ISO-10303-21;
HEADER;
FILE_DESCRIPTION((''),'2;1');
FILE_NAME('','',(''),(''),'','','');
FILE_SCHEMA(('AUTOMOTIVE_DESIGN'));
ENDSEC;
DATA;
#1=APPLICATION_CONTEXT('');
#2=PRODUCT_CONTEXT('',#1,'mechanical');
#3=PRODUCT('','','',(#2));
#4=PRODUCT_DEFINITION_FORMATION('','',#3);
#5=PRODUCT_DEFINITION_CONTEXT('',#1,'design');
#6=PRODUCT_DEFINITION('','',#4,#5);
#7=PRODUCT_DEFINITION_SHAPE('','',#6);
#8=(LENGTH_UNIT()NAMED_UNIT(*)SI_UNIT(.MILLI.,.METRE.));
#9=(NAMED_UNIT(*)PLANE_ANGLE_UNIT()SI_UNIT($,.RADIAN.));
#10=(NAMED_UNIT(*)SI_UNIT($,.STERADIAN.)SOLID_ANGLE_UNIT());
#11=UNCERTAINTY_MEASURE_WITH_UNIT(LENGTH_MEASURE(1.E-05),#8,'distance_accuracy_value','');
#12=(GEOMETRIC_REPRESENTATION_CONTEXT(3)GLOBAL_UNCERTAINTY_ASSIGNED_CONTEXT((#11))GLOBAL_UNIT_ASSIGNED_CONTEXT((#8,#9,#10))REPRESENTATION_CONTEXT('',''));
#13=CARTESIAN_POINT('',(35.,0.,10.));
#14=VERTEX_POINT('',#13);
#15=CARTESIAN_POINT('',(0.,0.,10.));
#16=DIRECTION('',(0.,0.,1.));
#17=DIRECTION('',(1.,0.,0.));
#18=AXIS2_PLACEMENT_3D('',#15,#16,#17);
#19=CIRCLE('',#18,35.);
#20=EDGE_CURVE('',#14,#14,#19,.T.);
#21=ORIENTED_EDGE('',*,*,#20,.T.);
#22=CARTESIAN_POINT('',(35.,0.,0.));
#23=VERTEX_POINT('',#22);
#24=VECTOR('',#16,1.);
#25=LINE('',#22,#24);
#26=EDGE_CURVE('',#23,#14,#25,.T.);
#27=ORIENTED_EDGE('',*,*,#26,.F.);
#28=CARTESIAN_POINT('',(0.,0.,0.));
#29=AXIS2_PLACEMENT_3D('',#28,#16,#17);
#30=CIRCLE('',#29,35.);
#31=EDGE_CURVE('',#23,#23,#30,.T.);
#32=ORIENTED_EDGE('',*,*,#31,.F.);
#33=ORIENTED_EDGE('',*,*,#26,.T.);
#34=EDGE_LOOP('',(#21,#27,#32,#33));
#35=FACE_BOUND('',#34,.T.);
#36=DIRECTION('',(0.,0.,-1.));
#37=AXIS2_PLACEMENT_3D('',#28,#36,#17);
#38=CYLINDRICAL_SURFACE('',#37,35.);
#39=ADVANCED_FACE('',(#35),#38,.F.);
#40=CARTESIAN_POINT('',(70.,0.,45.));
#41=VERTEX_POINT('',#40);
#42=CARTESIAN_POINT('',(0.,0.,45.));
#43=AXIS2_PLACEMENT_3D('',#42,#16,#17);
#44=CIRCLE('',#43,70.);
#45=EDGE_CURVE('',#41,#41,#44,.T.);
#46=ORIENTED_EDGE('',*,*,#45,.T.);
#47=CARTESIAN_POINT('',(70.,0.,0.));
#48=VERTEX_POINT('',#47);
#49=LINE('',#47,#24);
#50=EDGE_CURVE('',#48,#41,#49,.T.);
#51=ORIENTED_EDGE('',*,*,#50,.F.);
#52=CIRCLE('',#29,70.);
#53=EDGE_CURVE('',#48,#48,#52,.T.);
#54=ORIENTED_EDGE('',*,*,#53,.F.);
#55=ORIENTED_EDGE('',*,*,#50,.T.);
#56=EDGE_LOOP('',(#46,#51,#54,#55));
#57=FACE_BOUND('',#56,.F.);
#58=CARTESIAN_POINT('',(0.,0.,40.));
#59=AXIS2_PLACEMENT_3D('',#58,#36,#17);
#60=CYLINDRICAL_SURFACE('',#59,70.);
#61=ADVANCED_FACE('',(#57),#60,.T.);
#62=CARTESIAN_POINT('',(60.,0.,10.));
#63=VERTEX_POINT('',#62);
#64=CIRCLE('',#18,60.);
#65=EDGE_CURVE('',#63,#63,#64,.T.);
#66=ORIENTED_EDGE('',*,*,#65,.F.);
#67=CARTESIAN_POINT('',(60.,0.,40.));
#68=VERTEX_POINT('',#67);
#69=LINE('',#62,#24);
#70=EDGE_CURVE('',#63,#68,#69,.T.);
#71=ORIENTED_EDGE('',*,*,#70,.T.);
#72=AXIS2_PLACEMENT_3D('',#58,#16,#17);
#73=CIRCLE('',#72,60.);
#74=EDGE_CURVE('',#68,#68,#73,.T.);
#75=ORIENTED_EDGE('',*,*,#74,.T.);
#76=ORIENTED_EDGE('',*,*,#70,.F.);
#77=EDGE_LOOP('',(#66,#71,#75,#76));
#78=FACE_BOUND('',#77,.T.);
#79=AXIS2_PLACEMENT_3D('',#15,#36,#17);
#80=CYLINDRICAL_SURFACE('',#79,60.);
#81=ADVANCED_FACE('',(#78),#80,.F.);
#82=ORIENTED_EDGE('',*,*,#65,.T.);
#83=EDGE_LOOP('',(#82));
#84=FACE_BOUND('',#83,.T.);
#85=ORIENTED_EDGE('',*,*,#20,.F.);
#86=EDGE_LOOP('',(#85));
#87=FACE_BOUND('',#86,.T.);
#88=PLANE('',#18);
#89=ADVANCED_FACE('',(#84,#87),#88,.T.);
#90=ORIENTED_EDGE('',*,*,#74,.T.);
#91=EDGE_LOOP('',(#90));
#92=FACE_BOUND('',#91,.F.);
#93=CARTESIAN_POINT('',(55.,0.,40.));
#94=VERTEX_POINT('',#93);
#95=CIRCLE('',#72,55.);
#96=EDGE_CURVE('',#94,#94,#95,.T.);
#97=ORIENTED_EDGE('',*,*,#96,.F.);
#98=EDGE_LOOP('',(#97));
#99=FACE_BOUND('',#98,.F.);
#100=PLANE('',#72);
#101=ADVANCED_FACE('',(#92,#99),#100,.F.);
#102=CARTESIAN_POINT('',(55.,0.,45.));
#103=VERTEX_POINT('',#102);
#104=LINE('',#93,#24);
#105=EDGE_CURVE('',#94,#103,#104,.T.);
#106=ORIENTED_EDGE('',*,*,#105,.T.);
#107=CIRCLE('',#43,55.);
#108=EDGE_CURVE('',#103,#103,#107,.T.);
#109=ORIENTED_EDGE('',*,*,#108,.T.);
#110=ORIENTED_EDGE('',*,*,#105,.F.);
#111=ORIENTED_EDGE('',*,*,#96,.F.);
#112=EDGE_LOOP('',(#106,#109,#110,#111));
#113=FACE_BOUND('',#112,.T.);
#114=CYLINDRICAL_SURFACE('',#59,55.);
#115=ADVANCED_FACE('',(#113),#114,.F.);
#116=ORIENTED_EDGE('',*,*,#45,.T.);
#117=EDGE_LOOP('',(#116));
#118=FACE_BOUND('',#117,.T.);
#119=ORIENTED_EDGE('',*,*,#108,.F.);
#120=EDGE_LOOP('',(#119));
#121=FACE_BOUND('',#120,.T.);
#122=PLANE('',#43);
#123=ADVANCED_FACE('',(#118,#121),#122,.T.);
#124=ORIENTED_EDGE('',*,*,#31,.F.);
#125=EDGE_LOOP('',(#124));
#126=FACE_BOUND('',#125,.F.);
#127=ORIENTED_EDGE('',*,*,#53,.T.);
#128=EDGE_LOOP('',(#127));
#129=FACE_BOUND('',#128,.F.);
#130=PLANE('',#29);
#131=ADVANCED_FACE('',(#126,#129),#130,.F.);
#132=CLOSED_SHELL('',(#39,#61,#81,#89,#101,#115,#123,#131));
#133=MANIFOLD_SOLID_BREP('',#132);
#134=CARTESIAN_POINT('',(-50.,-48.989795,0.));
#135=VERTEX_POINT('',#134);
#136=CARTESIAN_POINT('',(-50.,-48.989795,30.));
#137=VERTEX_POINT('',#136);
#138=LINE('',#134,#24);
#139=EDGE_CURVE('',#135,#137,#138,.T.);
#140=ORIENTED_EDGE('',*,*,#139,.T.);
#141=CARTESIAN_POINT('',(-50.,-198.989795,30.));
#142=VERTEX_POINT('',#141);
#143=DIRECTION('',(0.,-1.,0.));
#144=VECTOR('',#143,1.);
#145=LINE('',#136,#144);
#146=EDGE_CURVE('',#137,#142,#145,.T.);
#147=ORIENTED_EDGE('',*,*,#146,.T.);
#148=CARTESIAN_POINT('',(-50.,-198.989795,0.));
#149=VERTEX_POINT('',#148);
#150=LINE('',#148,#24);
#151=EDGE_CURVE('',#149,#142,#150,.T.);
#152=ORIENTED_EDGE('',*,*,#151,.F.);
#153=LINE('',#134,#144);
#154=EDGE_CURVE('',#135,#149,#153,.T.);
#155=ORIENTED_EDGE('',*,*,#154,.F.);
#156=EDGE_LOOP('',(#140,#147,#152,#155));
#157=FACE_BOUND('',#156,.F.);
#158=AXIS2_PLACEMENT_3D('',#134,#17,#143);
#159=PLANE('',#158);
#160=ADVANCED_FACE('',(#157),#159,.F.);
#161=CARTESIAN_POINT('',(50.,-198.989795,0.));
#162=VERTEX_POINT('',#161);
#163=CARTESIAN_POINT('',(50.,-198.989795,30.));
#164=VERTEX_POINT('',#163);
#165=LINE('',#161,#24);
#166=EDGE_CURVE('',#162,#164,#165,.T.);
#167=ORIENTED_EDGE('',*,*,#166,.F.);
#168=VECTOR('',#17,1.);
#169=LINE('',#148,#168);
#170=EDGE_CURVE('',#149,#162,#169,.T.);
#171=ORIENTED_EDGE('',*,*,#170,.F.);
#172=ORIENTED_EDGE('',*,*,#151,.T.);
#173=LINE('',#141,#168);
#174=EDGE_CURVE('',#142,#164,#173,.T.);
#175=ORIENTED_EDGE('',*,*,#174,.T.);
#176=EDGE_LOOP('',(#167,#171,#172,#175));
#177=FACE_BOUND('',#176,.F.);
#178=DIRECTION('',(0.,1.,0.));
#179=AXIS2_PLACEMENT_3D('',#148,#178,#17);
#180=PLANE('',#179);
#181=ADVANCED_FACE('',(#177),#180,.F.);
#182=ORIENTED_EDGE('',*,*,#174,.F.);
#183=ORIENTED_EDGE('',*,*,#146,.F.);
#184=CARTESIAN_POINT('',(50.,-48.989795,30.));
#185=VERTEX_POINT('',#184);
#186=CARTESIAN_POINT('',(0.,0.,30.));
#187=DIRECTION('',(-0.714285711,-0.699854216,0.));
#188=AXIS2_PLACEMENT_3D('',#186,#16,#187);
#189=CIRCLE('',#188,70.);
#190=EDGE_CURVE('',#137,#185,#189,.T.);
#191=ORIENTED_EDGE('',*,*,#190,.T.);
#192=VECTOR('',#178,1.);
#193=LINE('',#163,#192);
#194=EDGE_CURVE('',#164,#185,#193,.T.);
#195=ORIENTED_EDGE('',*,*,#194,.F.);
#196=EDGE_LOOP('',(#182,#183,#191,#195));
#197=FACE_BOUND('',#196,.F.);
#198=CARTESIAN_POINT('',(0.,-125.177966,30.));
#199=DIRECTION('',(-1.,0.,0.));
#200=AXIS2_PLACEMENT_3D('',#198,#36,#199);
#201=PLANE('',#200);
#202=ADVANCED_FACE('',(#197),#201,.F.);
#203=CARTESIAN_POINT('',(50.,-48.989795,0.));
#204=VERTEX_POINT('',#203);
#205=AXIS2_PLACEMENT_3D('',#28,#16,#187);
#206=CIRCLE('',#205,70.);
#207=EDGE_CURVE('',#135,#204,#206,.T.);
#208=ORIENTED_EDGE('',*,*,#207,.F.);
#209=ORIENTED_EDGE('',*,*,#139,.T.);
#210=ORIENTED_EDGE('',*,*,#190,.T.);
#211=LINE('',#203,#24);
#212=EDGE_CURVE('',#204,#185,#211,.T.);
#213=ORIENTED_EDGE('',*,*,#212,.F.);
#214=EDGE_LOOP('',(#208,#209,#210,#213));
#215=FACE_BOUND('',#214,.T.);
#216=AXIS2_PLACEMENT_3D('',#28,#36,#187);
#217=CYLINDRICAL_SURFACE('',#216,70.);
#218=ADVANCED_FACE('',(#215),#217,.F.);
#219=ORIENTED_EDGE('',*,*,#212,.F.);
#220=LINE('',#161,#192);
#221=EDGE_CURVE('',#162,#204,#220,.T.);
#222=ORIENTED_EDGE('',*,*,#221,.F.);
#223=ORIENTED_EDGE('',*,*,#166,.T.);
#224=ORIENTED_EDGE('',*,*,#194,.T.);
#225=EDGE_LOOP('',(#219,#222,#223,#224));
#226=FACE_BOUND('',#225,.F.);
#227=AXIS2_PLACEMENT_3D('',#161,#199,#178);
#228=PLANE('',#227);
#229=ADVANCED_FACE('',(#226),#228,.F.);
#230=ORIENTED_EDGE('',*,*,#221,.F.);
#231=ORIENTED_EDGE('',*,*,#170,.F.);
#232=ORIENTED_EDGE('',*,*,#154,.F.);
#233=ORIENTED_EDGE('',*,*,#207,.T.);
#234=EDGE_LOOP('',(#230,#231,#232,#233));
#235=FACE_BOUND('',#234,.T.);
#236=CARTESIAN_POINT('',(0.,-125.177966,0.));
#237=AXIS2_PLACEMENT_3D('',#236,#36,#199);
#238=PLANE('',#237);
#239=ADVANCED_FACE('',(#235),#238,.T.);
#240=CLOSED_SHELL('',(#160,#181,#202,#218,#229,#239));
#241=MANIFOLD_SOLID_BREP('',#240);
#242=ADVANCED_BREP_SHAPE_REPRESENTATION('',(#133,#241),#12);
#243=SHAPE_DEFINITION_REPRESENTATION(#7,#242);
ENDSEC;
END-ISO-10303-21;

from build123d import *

# Parameters (mm, degrees)
SKETCH_R      = 70
SKETCH_R_2    = 35
PAD_DEPTH     = 10
SKETCH001_R   = 70
SKETCH001_R_2 = 60
PAD001_DEPTH  = 30
SKETCH002_R   = 70
SKETCH002_R_2 = 55
PAD002_DEPTH  = 5
PAD003_DEPTH  = 30


with BuildPart() as block:
    # Sketch → Pad (new body)
    with BuildSketch(Plane.XY):
        Circle(SKETCH_R)
        Circle(SKETCH_R_2, mode=Mode.SUBTRACT)
    extrude(amount=PAD_DEPTH)

    # Sketch001 → Pad001 (new body)
    with BuildSketch(Plane.XY.offset(10)):
        Circle(SKETCH001_R)
        Circle(SKETCH001_R_2, mode=Mode.SUBTRACT)
    extrude(amount=PAD001_DEPTH)

    # Sketch002 → Pad002 (new body)
    with BuildSketch(Plane.XY.offset(40)):
        Circle(SKETCH002_R)
        Circle(SKETCH002_R_2, mode=Mode.SUBTRACT)
    extrude(amount=PAD002_DEPTH)


with BuildPart() as barm:
    # Sketch003 → Pad003 (new body)
    with BuildSketch(Plane.XY):
        with BuildLine():
            ThreePointArc((-50, -48.989795), (0, -70), (50, -48.989795))
            Line((50, -198.989795), (50, -48.989795))
            Line((-50, -198.989795), (50, -198.989795))
            Line((-50, -48.989795), (-50, -198.989795))
        make_face()
    extrude(amount=PAD003_DEPTH)


solid = Compound([block.part, barm.part])
